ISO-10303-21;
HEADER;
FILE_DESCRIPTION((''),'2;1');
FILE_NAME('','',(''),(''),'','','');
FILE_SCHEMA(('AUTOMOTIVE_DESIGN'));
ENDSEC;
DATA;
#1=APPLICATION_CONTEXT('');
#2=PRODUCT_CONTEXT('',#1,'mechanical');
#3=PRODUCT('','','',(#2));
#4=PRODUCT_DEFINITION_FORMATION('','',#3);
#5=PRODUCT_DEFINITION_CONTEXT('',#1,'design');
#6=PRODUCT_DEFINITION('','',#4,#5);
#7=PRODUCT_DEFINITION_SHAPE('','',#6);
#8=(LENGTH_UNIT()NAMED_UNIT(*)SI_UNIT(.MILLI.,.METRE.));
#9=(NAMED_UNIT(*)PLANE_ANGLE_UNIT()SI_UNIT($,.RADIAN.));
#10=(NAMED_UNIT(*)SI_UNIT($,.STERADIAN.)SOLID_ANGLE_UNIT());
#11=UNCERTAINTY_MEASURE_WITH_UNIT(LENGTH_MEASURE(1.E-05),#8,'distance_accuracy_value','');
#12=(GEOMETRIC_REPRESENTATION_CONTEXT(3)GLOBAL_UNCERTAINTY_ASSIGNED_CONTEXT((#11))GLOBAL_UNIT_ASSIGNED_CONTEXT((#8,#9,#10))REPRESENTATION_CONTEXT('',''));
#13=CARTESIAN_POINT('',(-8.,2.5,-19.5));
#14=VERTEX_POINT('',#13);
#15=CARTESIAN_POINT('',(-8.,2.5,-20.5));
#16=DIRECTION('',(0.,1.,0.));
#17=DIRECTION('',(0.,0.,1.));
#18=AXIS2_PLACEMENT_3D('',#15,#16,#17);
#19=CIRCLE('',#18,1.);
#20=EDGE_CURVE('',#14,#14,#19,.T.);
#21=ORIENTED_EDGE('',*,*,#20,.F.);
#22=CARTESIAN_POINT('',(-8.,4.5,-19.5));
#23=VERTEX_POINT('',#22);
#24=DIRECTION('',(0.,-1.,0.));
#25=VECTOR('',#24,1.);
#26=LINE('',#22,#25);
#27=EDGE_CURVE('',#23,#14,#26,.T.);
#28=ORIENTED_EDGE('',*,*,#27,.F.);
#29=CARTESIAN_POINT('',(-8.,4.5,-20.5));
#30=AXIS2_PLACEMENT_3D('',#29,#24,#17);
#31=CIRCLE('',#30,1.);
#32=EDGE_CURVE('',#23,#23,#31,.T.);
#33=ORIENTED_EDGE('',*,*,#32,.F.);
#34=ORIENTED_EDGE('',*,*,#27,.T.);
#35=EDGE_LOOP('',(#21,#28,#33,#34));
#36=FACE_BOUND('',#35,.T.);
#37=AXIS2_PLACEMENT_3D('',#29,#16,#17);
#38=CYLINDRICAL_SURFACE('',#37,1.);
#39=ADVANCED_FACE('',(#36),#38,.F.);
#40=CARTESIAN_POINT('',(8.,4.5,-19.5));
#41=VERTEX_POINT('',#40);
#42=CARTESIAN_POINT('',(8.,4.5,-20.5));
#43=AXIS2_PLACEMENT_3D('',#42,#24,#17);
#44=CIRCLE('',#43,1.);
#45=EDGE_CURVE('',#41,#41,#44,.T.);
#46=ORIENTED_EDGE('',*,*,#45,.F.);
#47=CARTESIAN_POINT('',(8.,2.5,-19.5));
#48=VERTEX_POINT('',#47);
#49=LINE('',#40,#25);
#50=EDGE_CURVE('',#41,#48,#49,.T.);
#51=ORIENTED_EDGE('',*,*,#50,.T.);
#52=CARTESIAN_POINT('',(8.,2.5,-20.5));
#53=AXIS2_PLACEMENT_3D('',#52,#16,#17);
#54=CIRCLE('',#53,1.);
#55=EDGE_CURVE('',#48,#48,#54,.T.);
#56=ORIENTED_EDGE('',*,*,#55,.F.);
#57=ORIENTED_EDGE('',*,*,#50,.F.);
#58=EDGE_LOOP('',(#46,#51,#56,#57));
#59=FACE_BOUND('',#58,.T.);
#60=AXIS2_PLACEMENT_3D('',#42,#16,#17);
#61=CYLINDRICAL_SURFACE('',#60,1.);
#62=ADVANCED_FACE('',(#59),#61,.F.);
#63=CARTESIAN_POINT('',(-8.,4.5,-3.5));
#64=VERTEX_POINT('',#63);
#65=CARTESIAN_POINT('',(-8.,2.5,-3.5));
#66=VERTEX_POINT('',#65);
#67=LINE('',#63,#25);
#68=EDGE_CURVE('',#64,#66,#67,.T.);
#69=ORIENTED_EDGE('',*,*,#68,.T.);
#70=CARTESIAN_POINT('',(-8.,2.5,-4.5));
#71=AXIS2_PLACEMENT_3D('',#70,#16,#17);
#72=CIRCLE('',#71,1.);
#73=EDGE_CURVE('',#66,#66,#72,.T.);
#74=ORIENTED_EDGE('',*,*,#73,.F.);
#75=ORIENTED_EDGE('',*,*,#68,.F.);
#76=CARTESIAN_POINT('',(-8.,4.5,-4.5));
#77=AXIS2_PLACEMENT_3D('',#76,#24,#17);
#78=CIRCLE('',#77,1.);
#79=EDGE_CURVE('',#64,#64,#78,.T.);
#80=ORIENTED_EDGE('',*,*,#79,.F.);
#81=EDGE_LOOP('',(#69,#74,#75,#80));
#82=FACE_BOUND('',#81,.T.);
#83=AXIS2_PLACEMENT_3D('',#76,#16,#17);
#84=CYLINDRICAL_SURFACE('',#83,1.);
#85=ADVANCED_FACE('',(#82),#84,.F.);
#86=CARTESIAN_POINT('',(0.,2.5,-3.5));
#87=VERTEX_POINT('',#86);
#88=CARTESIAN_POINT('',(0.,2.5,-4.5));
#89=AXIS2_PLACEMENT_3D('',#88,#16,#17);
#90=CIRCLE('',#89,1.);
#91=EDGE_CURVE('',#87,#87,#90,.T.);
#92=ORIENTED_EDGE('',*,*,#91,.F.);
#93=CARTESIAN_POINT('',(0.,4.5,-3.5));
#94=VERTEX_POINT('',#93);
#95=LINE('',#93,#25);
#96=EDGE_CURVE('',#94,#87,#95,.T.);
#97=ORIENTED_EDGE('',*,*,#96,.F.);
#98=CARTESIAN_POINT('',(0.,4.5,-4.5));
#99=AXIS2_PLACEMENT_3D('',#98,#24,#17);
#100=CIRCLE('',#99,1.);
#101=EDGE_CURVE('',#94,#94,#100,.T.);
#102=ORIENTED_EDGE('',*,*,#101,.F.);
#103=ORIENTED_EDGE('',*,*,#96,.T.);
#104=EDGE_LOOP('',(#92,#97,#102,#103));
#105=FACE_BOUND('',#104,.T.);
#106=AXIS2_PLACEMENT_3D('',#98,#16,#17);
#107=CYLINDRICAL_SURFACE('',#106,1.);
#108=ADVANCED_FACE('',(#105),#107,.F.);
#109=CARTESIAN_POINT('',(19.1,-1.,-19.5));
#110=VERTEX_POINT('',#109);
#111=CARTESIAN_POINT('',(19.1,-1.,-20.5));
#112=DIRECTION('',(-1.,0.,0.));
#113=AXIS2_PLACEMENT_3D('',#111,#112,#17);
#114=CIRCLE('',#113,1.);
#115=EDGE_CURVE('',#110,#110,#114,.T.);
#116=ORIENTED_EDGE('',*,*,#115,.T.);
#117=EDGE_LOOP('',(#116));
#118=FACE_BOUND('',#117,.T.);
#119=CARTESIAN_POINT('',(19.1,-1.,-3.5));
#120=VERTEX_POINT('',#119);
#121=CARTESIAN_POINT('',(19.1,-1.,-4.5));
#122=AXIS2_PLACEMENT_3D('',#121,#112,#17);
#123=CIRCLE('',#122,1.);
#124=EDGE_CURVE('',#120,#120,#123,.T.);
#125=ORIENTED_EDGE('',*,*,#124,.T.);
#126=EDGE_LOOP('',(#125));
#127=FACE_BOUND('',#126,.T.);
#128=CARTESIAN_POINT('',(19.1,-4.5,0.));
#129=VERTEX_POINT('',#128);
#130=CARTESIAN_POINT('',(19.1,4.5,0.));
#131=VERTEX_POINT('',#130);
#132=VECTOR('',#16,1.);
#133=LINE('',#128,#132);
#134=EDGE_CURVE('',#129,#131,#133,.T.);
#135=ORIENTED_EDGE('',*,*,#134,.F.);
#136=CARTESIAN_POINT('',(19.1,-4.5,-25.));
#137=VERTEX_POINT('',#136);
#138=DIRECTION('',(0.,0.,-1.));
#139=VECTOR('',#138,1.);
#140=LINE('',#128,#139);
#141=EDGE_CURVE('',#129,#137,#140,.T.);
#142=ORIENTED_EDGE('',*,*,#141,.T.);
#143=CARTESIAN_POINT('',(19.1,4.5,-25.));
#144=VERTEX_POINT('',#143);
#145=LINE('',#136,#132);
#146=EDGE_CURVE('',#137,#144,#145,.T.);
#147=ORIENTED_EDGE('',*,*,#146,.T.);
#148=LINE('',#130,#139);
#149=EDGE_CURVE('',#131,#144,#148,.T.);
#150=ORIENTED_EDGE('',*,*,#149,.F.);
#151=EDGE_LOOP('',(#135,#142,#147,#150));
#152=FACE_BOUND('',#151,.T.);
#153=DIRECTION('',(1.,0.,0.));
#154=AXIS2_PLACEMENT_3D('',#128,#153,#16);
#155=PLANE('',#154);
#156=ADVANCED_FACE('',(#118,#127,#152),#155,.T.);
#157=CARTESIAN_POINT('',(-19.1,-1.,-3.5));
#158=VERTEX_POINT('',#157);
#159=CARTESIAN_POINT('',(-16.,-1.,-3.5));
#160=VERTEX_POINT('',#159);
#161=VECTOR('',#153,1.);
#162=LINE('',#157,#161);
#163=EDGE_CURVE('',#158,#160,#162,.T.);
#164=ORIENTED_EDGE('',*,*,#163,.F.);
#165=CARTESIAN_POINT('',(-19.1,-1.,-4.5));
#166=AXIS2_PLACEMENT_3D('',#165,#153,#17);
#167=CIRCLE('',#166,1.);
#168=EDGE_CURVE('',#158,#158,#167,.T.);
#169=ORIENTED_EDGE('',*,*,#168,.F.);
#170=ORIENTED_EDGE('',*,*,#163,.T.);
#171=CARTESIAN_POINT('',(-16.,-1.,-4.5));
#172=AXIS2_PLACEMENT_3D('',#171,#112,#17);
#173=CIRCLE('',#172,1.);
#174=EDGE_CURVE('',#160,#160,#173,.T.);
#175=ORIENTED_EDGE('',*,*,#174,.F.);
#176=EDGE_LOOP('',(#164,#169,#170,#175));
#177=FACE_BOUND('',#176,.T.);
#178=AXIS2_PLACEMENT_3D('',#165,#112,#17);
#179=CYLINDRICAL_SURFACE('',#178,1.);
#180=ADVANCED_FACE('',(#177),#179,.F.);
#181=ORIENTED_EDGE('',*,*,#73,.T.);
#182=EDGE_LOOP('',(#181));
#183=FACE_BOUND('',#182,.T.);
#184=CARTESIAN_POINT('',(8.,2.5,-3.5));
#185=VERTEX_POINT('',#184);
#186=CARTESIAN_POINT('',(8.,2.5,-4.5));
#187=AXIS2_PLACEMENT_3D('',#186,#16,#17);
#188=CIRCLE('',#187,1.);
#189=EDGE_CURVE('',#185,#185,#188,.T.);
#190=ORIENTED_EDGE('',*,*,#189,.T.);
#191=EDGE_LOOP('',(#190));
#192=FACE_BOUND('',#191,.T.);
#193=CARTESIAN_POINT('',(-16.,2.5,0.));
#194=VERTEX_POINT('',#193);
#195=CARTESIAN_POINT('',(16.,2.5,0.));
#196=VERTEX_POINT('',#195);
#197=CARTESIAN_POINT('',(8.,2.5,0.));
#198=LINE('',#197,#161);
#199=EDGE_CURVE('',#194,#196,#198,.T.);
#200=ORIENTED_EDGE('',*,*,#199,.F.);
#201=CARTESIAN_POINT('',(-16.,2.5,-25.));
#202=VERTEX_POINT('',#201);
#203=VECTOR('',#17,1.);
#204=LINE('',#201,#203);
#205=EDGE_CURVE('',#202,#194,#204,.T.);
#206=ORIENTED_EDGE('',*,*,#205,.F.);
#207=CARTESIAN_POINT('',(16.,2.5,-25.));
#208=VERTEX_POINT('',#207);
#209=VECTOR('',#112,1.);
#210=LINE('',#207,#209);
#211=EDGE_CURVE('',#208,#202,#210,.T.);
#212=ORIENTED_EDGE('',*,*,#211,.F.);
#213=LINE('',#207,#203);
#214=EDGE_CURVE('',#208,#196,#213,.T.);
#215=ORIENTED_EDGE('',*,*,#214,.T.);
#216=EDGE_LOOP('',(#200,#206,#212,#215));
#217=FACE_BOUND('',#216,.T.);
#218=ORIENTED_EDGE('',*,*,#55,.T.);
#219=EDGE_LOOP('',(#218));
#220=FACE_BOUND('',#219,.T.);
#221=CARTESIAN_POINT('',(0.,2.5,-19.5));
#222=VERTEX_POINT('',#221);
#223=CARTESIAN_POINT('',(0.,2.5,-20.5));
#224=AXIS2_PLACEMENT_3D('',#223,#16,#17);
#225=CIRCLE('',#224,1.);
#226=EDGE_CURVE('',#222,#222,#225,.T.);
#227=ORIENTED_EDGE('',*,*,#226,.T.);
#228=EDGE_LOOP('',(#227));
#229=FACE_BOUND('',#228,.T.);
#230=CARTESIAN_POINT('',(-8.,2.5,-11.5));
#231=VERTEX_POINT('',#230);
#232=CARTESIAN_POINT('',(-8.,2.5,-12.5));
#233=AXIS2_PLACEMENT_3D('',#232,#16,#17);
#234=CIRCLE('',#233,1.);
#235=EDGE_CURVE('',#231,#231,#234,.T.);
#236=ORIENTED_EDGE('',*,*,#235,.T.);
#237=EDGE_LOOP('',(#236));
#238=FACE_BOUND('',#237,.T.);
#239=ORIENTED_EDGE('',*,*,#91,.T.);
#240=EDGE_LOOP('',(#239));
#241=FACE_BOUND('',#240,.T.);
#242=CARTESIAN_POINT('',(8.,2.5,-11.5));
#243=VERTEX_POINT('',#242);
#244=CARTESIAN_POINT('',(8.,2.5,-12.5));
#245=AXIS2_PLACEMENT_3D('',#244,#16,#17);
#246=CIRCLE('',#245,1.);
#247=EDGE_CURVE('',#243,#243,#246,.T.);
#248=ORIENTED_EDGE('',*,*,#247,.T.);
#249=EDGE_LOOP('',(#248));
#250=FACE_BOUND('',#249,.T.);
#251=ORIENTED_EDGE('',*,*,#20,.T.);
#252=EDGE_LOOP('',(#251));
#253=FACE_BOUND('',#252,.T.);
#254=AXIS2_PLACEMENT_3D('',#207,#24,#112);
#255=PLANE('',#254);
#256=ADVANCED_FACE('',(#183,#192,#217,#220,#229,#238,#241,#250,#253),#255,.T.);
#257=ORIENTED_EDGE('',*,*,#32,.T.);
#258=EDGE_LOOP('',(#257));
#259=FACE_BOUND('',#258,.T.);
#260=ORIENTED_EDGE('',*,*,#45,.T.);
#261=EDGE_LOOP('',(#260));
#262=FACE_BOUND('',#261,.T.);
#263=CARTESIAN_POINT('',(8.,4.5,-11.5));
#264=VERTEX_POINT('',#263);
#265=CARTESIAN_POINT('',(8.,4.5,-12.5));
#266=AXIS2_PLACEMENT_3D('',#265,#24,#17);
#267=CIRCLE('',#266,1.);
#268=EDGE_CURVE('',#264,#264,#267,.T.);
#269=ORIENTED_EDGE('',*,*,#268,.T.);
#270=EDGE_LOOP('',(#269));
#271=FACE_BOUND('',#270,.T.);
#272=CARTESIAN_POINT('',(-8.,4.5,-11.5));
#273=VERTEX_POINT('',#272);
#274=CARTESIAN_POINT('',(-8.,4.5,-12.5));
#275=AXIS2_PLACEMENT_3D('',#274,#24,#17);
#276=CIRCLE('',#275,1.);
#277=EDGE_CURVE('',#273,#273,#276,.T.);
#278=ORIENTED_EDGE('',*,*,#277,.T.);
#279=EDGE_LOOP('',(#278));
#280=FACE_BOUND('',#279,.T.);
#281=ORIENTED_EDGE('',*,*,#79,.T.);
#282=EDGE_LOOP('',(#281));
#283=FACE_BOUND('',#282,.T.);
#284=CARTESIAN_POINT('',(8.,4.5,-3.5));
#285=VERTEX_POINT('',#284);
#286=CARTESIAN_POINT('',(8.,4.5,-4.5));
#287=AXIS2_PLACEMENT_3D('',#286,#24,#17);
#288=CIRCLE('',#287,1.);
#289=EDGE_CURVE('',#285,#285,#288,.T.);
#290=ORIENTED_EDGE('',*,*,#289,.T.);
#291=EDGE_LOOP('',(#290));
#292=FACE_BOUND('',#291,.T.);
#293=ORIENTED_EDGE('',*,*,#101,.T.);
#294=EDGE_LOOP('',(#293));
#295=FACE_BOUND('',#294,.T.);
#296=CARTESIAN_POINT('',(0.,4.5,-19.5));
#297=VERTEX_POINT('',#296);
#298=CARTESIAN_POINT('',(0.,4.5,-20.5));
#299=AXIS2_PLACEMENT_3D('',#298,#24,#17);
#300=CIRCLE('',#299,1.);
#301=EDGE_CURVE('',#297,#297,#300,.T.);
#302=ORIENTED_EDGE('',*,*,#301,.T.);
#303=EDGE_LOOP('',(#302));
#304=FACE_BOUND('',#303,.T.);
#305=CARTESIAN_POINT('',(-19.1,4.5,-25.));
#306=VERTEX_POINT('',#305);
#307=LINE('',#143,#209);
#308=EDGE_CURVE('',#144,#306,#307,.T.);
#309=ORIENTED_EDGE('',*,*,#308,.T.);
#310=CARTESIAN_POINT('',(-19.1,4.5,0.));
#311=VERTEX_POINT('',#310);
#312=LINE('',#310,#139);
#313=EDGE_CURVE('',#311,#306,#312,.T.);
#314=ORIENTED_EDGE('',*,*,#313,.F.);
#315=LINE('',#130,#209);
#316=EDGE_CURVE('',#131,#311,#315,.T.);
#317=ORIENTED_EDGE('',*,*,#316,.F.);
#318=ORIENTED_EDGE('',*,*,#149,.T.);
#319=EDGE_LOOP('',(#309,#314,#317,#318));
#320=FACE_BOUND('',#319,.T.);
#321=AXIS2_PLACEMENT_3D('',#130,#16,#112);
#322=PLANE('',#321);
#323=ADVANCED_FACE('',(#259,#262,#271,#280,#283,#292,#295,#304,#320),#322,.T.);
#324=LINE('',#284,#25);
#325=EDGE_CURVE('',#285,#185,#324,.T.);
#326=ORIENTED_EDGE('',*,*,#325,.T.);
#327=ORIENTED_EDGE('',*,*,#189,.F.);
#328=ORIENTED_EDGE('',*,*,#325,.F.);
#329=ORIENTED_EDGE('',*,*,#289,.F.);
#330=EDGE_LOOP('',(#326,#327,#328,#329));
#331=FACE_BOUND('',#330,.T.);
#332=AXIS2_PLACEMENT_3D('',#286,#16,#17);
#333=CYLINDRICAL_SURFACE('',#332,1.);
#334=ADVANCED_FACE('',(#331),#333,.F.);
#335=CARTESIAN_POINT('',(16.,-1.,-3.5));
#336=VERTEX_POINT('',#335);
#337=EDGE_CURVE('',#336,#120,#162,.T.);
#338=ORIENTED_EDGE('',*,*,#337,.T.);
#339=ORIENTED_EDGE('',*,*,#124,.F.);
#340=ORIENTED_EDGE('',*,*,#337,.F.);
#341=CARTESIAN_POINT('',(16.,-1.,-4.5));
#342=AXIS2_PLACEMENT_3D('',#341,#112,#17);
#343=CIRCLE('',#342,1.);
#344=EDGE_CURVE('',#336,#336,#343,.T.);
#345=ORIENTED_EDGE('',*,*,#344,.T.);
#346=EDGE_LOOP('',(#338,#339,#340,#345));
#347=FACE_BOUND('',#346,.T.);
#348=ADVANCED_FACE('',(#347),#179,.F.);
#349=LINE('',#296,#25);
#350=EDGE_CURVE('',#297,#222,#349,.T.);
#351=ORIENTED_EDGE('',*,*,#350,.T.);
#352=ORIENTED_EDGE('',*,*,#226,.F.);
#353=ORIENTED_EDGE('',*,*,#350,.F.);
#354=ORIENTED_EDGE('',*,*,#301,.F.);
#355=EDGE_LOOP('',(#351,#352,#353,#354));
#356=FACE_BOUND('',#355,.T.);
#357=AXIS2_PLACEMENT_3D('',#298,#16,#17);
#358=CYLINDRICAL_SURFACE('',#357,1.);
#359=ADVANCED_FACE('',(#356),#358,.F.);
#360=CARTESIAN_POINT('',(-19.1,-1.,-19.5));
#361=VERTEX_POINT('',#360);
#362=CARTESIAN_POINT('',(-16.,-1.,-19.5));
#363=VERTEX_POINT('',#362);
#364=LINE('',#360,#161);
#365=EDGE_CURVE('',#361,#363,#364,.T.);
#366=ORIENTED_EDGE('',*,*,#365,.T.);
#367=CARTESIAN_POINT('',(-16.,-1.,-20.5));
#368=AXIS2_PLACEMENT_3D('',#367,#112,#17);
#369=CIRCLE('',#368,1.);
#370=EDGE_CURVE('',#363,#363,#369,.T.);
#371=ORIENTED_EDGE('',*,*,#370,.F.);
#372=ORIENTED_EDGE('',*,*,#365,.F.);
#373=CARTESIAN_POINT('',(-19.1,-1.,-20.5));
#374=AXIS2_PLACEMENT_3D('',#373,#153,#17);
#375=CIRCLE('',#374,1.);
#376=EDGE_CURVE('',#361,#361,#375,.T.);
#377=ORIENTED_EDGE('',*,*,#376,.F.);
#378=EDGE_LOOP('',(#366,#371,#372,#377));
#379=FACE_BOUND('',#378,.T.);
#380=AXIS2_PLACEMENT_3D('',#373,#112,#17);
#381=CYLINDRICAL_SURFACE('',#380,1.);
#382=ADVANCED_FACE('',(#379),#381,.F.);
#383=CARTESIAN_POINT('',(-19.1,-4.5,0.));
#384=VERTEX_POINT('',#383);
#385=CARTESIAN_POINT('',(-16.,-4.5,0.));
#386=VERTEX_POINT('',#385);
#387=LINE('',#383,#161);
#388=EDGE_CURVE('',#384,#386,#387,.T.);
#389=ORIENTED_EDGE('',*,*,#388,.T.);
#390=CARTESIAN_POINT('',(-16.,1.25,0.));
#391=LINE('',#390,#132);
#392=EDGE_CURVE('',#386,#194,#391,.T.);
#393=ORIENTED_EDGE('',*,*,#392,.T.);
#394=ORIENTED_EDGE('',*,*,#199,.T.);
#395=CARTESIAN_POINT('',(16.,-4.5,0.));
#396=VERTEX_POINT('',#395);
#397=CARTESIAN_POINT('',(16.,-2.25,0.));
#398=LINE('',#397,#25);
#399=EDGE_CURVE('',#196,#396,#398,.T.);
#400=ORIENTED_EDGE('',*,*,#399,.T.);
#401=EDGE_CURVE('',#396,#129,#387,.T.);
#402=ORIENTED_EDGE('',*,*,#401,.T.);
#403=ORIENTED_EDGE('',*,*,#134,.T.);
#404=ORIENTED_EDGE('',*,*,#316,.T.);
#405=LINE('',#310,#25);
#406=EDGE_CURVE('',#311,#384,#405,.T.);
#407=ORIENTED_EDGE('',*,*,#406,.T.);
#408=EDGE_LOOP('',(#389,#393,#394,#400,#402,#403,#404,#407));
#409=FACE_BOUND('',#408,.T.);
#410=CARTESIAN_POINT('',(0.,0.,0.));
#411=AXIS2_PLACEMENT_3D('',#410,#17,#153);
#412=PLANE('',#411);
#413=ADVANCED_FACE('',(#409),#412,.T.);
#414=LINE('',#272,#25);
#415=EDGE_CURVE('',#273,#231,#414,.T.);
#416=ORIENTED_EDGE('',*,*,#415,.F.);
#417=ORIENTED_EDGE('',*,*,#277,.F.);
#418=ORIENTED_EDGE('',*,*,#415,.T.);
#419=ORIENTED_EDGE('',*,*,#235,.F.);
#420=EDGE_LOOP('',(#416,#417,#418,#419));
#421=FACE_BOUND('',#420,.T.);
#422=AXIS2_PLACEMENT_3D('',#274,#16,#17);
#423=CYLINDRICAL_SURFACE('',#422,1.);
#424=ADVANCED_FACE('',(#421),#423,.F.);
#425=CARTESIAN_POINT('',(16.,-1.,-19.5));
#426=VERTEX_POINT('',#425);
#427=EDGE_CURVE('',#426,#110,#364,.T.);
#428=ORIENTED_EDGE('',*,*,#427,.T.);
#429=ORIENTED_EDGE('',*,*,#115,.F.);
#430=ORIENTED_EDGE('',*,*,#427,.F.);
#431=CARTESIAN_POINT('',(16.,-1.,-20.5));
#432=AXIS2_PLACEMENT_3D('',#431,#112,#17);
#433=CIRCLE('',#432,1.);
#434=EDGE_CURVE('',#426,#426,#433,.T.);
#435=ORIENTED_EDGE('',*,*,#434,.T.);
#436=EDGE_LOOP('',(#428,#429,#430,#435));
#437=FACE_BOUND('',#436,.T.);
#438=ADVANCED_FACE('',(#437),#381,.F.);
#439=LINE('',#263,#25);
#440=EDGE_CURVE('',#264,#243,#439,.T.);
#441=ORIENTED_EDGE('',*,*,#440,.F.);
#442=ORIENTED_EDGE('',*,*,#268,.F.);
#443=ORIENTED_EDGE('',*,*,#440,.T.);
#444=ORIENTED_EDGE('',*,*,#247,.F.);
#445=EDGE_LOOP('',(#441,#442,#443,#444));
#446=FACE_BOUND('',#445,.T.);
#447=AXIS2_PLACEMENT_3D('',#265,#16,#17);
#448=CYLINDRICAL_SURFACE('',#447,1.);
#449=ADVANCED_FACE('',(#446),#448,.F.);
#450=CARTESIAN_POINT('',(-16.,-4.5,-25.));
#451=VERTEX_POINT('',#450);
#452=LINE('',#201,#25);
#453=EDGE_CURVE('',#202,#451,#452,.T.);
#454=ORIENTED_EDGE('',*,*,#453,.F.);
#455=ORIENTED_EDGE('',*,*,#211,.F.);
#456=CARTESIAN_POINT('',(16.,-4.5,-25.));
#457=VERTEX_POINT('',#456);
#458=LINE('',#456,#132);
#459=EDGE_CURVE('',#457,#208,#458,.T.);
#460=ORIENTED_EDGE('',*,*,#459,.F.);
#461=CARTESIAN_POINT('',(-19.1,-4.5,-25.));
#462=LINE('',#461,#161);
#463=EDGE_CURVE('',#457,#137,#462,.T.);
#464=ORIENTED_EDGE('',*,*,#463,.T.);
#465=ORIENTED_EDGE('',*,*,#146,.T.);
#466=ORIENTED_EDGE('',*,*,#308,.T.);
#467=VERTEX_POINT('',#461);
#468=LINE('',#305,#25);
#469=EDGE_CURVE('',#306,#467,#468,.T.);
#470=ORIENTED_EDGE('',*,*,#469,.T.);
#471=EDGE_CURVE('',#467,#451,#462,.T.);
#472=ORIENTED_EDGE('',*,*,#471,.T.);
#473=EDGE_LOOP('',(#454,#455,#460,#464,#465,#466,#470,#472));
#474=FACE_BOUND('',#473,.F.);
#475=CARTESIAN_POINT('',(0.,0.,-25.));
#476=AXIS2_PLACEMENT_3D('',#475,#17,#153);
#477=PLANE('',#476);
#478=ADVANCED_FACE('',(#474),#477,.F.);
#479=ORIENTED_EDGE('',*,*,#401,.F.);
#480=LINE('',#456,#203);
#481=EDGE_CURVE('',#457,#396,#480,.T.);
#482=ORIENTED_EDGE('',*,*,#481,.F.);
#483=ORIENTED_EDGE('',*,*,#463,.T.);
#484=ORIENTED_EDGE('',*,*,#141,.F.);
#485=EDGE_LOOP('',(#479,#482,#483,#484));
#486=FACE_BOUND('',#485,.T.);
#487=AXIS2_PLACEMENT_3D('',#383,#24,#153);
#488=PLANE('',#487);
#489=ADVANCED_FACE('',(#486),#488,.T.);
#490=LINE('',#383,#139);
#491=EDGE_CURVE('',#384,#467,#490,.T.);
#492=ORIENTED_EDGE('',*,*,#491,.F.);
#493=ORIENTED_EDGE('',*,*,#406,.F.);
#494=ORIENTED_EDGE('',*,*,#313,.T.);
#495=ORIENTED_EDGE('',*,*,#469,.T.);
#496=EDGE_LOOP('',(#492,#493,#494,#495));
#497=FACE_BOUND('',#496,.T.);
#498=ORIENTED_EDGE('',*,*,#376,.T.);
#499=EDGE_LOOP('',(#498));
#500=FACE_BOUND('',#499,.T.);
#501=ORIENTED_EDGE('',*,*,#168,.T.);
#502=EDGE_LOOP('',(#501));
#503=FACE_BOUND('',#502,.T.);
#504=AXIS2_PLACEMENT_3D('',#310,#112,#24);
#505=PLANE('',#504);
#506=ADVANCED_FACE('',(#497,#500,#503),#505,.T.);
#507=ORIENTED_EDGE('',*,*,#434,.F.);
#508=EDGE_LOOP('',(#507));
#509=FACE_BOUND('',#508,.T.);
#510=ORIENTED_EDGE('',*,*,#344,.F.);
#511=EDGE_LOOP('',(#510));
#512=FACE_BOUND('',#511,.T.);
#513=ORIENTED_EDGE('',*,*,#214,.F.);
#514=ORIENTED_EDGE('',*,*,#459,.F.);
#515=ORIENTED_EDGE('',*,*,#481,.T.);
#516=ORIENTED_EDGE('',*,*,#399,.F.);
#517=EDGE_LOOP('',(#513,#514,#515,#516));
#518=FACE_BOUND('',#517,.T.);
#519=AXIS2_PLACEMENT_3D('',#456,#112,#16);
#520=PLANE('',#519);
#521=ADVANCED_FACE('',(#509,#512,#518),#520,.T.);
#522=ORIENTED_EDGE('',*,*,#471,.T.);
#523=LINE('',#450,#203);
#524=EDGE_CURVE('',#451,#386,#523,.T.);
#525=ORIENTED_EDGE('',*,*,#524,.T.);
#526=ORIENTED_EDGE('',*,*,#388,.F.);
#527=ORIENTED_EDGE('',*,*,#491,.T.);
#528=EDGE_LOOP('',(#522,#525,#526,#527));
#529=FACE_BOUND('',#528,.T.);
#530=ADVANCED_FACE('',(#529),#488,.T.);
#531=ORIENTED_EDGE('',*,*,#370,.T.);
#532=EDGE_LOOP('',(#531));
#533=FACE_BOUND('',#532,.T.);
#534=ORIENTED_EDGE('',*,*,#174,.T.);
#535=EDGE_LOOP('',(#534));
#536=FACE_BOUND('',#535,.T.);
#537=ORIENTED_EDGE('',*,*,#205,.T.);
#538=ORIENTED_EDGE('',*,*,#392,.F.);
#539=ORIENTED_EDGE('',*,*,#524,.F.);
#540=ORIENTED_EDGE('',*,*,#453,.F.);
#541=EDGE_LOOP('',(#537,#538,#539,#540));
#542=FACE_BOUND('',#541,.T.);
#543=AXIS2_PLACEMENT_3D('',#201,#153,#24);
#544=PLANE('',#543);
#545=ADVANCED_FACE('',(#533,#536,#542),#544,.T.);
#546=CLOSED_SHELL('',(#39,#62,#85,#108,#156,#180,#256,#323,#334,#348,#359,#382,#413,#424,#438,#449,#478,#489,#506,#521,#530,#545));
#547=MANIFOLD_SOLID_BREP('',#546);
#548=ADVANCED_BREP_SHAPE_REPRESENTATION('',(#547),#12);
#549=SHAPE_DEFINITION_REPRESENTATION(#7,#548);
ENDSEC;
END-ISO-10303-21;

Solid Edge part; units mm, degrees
sketch "Sketch1" plane through (0, 0, 0) normal (0, 0, -1) x (-1, 0, 0)
  line L0 (19.1, -4.5) -> (-19.1, -4.5)
  line L1 (-19.1, -4.5) -> (-19.1, 4.5)
  line L2 (-19.1, 4.5) -> (19.1, 4.5)
  line L3 (19.1, 4.5) -> (19.1, -4.5)
  dimension "D1" = 9
  dimension "D2" = 38.2
extrude "Protrusion1" add sketch "Sketch1" along normal blind 25
sketch "Sketch2" plane through (0, 0, -25) normal (0, 0, -1) x (1, 0, 0)
  line L0 (-16, 4.5) -> (16, 4.5)
  line L1 (16, 4.5) -> (16, -2.5)
  line L2 (16, -2.5) -> (-16, -2.5)
  line L3 (-16, -2.5) -> (-16, 4.5)
  dimension "D1" = 32
  dimension "D2" = 7
extrude "Cutout1" cut sketch "Sketch2" against normal through all
hole "Hole_1" at (-19.1, -1, -4.5) direction (1, 0, 0) diameter 2 end through all
hole "Hole1" at (-19.1, -1, -20.5) direction (1, 0, 0) diameter 2 end through all
hole "Hole_3" at (0, 4.5, -20.5) direction (0, -1, 0) diameter 2 end through all
hole "Hole2" at (0, 4.5, -4.5) direction (0, -1, 0) diameter 2 end through all
hole "Hole3" at (-8, 4.5, -4.5) direction (0, -1, 0) diameter 2 end through all
hole "Hole4" at (-8, 4.5, -12.5) direction (0, -1, 0) diameter 2 end through all
hole "Hole5" at (-8, 4.5, -20.5) direction (0, -1, 0) diameter 2 end through all
hole "Hole6" at (8, 4.5, -20.5) direction (0, -1, 0) diameter 2 end through all
hole "Hole7" at (8, 4.5, -12.5) direction (0, -1, 0) diameter 2 end through all
hole "Hole8" at (8, 4.5, -4.5) direction (0, -1, 0) diameter 2 end through all
